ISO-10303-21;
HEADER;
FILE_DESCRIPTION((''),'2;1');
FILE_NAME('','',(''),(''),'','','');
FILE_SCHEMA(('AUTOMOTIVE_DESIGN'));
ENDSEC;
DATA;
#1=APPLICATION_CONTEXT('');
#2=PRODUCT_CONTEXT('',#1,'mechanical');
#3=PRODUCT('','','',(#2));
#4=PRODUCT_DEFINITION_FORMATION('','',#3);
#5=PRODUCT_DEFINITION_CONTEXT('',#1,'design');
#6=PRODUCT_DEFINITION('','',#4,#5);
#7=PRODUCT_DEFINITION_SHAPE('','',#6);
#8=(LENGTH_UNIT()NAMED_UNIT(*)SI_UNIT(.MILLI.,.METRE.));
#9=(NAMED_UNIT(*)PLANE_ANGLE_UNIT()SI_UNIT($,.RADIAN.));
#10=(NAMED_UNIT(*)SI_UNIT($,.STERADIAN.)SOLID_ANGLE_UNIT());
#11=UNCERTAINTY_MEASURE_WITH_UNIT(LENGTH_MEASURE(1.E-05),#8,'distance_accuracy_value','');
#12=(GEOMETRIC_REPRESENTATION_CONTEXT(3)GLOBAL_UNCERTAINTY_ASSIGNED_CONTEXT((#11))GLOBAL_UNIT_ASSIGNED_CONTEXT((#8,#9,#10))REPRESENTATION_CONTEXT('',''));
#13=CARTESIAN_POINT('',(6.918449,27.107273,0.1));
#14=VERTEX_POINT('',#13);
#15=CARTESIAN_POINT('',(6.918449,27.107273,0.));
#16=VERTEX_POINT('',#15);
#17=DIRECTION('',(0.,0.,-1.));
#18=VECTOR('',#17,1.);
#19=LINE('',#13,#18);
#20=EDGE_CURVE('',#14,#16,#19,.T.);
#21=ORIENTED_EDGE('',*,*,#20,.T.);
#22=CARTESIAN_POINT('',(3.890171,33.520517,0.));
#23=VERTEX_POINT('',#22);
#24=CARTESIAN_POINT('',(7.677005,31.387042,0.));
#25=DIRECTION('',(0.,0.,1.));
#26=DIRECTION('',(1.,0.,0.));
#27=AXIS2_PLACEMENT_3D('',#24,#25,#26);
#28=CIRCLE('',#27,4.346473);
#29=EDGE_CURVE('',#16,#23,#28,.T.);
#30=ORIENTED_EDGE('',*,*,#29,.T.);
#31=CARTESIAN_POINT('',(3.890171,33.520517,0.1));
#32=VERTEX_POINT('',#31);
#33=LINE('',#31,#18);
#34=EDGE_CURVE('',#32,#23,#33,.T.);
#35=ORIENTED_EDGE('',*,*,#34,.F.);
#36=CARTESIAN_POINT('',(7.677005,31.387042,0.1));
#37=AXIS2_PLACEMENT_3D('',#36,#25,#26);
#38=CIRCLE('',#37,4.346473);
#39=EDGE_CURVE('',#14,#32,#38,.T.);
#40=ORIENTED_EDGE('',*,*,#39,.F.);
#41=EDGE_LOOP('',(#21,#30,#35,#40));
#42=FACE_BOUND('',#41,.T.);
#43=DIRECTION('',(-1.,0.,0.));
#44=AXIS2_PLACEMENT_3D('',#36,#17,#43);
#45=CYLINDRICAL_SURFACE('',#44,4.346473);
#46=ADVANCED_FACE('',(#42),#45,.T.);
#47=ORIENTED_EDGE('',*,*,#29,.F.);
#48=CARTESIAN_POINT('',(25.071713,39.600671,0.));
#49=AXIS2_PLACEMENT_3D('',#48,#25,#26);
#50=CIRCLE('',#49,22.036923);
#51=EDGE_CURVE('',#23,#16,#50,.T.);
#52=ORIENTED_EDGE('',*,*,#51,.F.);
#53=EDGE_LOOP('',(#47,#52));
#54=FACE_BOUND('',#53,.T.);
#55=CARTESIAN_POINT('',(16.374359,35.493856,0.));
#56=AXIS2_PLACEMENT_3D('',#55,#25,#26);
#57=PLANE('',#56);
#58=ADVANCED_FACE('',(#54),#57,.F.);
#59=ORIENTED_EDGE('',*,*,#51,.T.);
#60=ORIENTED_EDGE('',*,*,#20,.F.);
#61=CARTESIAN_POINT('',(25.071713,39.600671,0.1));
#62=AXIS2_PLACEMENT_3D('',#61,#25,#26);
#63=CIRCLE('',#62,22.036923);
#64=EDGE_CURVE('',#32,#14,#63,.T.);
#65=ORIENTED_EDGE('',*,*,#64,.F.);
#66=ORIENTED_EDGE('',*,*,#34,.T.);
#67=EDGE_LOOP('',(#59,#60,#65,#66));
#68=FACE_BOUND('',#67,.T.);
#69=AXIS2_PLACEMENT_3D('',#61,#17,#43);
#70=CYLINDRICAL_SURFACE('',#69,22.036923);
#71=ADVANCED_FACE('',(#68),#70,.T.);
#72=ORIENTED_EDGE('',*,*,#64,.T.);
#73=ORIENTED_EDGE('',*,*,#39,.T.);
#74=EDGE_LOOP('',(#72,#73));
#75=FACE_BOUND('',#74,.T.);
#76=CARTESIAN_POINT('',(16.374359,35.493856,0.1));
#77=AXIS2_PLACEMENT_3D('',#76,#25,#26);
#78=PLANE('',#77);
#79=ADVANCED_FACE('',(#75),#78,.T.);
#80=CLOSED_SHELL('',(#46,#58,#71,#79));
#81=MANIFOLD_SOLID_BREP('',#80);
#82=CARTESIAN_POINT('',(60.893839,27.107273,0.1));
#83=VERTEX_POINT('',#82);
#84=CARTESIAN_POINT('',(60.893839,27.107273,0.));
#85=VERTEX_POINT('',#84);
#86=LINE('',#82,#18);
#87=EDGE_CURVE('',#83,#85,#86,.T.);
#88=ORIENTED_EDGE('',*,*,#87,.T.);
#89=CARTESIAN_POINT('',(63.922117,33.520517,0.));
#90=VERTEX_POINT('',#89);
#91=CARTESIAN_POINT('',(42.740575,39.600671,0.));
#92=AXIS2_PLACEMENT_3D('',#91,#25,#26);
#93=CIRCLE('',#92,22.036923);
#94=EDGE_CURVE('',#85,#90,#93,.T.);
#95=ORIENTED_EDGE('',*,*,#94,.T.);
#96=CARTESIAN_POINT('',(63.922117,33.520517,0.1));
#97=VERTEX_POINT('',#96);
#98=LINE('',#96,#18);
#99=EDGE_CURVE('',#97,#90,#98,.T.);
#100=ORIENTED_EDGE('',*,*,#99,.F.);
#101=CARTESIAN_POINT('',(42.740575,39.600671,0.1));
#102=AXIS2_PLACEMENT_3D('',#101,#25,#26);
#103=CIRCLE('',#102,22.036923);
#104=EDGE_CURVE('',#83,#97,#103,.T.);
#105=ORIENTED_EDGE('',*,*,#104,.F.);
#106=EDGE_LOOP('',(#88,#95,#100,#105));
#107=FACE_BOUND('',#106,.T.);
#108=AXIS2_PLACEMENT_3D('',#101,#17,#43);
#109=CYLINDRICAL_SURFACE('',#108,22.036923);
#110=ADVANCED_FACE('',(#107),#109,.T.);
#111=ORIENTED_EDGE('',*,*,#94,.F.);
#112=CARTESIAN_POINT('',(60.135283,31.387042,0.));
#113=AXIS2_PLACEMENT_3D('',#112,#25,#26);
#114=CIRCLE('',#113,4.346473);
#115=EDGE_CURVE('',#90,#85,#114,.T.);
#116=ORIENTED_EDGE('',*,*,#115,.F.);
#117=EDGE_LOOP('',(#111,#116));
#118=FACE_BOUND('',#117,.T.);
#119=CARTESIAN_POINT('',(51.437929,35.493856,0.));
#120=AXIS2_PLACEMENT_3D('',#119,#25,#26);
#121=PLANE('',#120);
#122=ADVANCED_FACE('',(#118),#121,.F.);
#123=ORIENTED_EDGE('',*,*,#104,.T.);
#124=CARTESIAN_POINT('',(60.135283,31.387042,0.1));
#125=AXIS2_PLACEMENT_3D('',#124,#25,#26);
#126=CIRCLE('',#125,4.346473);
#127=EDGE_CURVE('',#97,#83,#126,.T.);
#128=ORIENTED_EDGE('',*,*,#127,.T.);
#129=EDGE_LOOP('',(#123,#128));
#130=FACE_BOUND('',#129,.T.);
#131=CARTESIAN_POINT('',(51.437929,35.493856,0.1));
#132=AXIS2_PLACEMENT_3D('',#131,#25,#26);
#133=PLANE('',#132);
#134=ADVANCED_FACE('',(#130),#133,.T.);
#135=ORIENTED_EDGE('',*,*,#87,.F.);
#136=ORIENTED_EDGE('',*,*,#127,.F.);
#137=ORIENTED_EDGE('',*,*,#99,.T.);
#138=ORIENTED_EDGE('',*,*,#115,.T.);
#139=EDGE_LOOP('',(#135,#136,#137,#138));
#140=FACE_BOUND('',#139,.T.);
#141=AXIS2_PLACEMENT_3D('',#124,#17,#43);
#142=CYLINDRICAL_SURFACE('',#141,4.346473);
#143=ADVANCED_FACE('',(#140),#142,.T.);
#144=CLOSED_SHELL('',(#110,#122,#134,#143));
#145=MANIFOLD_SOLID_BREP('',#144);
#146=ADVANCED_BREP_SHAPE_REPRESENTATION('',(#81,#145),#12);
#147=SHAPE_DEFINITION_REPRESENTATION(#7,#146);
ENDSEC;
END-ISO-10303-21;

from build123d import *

# Parameters (mm, degrees)
SALIENTE_EXTRUIR1_DEPTH   = 0.1
SALIENTE_EXTRUIR1_2_DEPTH = 0.1


with BuildPart() as part:
    # Model → Saliente-Extruir1 (new body)
    with BuildSketch(Plane.XY):
        with BuildLine():
            ThreePointArc((3.890171253, 33.520517491), (5.144616973, 30.191270124), (6.918449363, 27.107272596))
            ThreePointArc((6.918449363, 27.107272596), (11.607345034, 33.242913751), (3.890171253, 33.520517491))
        make_face()
    extrude(amount=SALIENTE_EXTRUIR1_DEPTH)


with BuildPart() as body_2:
    # Model → Saliente-Extruir1 2 (new body)
    with BuildSketch(Plane.XY):
        with BuildLine():
            ThreePointArc((60.893838912, 27.107272596), (62.667671302, 30.191270124), (63.922117021, 33.520517491))
            ThreePointArc((63.922117021, 33.520517491), (56.204943241, 33.242913751), (60.893838912, 27.107272596))
        make_face()
    extrude(amount=SALIENTE_EXTRUIR1_2_DEPTH)


solid = Compound([part.part, body_2.part])
